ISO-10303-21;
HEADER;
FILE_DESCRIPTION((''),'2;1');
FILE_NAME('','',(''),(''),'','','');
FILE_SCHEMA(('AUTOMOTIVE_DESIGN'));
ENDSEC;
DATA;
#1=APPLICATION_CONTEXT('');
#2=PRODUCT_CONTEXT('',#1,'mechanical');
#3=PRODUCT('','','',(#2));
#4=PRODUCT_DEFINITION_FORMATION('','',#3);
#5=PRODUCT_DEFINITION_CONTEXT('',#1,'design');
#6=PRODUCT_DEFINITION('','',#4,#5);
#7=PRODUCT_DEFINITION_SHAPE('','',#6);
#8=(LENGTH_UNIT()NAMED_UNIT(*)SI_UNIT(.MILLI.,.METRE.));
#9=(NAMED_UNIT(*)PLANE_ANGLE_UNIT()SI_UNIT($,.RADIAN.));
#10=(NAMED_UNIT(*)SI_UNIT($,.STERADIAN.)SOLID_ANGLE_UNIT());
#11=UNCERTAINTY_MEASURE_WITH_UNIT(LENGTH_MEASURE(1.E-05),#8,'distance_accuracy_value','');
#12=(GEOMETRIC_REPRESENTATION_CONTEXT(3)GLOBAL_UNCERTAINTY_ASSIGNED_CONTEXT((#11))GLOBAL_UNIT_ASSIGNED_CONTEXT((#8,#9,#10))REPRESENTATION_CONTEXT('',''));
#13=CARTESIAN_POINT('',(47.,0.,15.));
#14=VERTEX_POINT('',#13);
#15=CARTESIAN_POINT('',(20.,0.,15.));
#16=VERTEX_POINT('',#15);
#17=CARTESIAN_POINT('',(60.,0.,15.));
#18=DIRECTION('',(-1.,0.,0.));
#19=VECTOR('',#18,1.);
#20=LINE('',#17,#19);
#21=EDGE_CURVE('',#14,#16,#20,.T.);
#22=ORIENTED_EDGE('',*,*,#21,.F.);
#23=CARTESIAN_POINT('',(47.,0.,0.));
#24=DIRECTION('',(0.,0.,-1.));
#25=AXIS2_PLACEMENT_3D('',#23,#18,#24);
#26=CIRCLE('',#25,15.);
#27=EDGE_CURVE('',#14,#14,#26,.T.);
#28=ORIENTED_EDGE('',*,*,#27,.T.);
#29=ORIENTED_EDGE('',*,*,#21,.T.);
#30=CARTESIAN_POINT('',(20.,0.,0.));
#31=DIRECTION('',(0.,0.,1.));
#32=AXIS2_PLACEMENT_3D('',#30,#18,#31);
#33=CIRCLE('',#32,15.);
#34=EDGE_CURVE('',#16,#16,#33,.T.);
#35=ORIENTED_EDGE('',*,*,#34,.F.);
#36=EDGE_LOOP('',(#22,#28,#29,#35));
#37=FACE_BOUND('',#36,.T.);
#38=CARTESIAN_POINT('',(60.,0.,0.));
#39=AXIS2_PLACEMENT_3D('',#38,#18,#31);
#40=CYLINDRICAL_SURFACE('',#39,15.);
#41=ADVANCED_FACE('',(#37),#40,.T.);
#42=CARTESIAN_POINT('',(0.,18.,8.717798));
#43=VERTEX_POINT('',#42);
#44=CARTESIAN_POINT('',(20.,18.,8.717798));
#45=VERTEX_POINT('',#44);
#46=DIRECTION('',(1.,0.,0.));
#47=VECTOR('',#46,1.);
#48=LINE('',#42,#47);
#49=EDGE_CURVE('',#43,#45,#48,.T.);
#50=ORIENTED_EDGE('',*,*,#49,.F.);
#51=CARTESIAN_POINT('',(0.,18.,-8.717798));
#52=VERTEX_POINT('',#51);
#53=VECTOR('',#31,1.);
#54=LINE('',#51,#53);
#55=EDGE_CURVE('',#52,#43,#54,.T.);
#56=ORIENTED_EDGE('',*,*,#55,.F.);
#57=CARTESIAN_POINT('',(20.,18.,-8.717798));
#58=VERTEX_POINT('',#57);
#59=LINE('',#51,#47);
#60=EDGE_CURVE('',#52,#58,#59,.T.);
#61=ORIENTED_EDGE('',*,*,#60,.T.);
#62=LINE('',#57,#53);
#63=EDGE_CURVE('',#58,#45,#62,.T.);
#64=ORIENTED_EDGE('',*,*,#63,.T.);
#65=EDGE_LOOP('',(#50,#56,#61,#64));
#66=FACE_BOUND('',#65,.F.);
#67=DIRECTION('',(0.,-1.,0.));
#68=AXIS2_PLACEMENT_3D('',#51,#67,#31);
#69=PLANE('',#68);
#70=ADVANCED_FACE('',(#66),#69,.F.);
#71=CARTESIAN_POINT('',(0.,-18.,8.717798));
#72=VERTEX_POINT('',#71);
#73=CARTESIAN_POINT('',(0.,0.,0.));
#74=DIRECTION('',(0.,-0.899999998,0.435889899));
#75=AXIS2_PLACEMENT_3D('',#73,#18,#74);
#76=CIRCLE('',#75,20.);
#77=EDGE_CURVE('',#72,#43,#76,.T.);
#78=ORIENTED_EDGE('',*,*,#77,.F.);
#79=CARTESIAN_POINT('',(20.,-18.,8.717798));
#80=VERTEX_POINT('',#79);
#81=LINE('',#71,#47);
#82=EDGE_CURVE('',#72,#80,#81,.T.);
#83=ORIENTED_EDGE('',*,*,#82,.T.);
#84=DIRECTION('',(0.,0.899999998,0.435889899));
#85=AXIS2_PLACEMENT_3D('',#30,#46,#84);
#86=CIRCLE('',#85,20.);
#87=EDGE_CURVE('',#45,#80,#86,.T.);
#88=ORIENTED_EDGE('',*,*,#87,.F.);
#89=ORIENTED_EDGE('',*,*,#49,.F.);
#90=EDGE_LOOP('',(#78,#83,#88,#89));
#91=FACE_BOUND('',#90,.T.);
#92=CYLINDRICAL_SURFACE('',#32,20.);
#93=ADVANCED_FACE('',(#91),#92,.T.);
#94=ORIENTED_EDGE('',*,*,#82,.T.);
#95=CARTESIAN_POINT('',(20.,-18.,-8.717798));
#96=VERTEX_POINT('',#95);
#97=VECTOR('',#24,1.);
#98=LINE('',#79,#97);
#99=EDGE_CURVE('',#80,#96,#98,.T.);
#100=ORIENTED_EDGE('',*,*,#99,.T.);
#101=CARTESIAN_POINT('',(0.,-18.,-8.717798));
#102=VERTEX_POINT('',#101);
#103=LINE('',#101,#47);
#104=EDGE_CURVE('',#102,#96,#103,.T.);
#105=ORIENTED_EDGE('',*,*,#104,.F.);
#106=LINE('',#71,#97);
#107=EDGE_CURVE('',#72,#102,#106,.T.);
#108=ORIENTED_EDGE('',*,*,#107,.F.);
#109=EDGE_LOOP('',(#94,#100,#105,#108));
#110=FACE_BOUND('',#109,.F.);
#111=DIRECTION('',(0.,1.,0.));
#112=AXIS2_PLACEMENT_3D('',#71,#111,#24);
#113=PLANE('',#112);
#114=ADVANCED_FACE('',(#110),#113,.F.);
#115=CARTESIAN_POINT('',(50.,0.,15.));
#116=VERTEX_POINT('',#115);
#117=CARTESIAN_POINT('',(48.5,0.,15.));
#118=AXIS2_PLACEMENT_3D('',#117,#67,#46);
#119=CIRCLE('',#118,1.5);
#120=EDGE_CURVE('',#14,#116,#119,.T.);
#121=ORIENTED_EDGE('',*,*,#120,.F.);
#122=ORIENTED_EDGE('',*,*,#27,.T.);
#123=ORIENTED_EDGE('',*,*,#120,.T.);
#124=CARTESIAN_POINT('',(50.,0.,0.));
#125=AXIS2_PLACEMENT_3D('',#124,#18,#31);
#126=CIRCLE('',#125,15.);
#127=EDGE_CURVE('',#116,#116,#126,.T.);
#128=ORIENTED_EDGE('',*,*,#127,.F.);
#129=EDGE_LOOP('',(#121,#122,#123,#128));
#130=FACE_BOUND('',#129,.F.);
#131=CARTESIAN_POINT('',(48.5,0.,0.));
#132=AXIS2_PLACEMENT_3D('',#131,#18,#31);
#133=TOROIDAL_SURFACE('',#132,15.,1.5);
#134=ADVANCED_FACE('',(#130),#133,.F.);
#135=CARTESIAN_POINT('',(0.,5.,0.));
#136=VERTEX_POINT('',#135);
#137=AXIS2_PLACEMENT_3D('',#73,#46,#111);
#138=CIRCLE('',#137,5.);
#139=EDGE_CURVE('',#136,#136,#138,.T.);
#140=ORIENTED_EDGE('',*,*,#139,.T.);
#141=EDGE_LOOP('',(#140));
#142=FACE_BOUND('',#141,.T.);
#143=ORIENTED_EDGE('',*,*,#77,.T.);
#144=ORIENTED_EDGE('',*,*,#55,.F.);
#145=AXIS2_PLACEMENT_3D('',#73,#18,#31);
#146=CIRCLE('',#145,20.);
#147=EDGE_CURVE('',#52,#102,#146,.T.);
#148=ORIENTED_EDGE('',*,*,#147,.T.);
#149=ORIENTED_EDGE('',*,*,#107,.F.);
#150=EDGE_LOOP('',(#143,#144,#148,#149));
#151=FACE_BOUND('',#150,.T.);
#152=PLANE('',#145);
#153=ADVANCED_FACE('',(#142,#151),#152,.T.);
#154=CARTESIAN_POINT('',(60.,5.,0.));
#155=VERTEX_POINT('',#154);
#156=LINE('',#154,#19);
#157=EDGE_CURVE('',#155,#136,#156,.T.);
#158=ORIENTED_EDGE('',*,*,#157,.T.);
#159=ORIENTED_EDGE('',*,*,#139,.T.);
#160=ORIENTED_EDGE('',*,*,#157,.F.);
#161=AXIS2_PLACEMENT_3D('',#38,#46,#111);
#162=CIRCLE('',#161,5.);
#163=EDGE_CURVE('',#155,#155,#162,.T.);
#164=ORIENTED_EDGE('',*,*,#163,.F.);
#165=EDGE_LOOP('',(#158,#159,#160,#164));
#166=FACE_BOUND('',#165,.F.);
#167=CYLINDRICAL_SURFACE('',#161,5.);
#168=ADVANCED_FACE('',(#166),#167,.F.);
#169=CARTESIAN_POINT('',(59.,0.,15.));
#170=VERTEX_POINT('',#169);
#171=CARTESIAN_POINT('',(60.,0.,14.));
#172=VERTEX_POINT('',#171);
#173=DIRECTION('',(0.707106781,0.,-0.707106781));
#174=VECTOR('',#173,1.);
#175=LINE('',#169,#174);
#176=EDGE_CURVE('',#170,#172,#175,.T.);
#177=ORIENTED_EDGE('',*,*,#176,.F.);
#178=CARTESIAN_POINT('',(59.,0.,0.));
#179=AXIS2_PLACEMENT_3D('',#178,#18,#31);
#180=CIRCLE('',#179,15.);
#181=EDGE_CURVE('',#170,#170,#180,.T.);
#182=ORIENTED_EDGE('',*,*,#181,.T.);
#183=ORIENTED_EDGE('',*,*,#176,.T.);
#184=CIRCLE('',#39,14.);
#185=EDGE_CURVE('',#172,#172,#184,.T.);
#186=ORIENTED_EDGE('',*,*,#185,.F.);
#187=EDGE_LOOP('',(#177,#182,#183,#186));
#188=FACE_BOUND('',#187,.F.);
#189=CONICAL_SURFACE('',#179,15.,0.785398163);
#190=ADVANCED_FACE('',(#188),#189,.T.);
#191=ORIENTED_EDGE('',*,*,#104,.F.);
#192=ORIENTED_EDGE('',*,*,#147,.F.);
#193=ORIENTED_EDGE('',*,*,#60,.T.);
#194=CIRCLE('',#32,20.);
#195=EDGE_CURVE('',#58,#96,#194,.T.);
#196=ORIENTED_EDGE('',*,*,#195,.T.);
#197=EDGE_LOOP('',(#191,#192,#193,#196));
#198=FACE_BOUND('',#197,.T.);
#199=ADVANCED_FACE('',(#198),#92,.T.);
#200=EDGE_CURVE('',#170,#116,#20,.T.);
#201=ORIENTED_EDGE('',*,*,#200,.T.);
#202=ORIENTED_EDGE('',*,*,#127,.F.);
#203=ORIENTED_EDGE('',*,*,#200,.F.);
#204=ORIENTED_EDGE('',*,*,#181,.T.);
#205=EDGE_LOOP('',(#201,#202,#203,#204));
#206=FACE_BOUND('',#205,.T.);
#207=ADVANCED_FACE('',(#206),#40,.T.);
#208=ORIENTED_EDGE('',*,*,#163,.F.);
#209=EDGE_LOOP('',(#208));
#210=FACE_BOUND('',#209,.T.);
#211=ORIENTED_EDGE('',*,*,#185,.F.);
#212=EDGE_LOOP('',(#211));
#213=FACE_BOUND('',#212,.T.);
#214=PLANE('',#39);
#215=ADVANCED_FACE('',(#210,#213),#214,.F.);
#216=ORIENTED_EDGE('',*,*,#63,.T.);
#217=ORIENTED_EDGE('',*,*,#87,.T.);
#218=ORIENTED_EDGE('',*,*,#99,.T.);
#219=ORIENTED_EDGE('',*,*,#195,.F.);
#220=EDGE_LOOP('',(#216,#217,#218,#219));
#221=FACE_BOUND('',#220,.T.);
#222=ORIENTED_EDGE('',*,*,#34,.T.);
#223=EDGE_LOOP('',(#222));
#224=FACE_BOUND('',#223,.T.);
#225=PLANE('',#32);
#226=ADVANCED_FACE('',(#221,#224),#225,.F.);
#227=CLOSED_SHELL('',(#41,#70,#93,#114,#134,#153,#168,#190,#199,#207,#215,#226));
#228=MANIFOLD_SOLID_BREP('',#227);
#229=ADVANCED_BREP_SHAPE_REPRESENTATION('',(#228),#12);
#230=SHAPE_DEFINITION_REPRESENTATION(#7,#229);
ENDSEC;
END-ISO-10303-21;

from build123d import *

# Parameters (mm, degrees)
F3_R     = 1.5
F5_SIZE  = 1
F6_R     = 5
F7_DEPTH = 60.001
F9_DEPTH = 20


with BuildPart() as f2:
    # F0 (on Front) → F2 (revolve)
    with BuildSketch(Plane.XZ):
        Polygon((0, 20), (0, 0), (60, 0), (60, 15), (20, 15), (20, 20), align=None)
    revolve(axis=Axis((30, 0, 0), (-1, 0, 0)))

    # F3 (on Front) → F4 (revolve, cut)
    with BuildSketch(Plane.XZ):
        with Locations((48.5, 15)):
            Circle(F3_R)
    revolve(axis=Axis((60, 0, 0), (-1, 0, 0)), mode=Mode.SUBTRACT)

    # F5
    f5_edges = [f2.edges().sort_by_distance(p)[0] for p in [
        (60, 0, -15),
    ]]
    chamfer(f5_edges, length=F5_SIZE)

    # F6 (on face) → F7 (cut, through all)
    with BuildSketch(Plane.YZ.offset(60)):
        Circle(F6_R)
    extrude(amount=-F7_DEPTH, mode=Mode.SUBTRACT)

    # F8 (on face) → F9 (cut, through all)
    with BuildSketch(Plane(origin=(0, 0, 0), x_dir=(0, -1, 0), z_dir=(-1, 0, 0))):
        with BuildLine():
            ThreePointArc((-18, 8.717798), (-20, 0), (-18, -8.717798))
            Line((-18, -8.717798), (-18, 8.717798))
        make_face()
        with BuildLine():
            Line((18, 8.717798), (18, -8.717798))
            ThreePointArc((18, -8.717798), (19.493589, -4.472136), (20, 0))
            ThreePointArc((20, 0), (19.493589, 4.472136), (18, 8.717798))
        make_face()
    extrude(amount=-F9_DEPTH, mode=Mode.SUBTRACT)


solid = f2.part
